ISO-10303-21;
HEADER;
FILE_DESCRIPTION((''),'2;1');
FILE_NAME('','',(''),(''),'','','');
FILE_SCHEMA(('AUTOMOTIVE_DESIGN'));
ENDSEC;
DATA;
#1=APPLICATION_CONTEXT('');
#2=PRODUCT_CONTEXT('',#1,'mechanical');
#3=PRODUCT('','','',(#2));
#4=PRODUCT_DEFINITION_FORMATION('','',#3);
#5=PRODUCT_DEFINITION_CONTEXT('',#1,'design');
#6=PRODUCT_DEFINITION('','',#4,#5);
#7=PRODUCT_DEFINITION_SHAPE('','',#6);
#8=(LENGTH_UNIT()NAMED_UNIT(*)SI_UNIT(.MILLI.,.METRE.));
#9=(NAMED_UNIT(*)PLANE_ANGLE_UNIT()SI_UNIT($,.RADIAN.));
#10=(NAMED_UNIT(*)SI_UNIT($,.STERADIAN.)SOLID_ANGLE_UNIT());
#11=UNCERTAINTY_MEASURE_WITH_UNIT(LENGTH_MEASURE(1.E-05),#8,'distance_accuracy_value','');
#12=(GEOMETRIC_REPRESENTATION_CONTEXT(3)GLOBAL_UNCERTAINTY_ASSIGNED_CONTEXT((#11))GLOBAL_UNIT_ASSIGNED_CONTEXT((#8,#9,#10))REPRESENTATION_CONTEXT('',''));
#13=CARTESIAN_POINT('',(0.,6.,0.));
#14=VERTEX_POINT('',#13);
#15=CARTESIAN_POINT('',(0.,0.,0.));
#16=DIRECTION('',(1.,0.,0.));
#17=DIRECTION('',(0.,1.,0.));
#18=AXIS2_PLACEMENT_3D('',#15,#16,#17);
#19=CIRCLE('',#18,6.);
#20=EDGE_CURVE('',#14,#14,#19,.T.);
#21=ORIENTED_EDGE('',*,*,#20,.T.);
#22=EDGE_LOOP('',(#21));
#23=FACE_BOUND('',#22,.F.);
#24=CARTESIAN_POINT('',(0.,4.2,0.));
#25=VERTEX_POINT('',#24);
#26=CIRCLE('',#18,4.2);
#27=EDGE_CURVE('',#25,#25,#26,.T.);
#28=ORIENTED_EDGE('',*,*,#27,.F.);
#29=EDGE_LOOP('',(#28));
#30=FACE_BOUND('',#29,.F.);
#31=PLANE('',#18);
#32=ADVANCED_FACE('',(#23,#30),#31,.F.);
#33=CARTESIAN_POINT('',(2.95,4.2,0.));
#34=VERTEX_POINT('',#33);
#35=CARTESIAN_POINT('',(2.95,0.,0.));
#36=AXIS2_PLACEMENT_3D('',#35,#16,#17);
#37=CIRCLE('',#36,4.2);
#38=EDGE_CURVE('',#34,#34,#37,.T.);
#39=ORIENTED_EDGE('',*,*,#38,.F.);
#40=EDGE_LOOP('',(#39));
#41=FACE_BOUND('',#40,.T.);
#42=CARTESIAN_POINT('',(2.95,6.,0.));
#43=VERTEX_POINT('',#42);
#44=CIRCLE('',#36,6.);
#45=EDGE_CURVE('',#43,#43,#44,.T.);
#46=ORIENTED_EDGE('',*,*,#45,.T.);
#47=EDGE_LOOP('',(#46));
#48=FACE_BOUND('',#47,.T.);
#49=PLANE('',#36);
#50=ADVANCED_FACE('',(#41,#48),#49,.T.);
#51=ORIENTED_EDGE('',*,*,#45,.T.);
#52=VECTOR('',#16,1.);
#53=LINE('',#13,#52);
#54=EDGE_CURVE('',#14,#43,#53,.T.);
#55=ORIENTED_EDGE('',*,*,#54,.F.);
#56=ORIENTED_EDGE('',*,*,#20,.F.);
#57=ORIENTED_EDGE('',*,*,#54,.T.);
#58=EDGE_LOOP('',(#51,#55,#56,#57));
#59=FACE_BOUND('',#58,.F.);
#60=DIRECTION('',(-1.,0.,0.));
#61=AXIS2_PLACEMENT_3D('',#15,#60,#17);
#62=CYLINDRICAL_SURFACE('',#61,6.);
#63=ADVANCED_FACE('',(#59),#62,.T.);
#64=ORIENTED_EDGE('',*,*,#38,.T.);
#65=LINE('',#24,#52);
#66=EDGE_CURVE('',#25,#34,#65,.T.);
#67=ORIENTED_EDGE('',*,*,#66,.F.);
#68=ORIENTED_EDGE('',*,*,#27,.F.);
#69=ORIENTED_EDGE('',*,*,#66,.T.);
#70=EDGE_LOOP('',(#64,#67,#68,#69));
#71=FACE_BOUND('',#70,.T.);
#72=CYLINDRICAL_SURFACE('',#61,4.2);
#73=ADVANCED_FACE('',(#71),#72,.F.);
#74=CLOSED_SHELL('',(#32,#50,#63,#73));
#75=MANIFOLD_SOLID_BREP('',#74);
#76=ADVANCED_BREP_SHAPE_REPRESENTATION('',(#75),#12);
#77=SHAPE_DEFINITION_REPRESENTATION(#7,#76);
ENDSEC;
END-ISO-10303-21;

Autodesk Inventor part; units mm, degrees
ref_plane "YZ Plane" through (0, 0, 0) normal (1, 0, 0) x (0, 1, 0)
ref_plane "XZ Plane" through (0, 0, 0) normal (0, 1, 0) x (-1, 0, 0)
ref_plane "XY Plane" through (0, 0, 0) normal (0, 0, 1) x (1, 0, 0)
sketch "スケッチ1" plane through (0, 0, 0) normal (1, 0, 0) x (0, 1, 0)
  circle A0 centre (0, 0) radius 4.2
  circle A1 centre (0, 0) radius 6
  dimension "d0" = 8.4
  dimension "d1" = 12
extrude "押し出し1" add sketch "スケッチ1" along normal blind 2.95
properties part number "dribl-v1-3DP-spesa-1" material "ABS プラスチック"
